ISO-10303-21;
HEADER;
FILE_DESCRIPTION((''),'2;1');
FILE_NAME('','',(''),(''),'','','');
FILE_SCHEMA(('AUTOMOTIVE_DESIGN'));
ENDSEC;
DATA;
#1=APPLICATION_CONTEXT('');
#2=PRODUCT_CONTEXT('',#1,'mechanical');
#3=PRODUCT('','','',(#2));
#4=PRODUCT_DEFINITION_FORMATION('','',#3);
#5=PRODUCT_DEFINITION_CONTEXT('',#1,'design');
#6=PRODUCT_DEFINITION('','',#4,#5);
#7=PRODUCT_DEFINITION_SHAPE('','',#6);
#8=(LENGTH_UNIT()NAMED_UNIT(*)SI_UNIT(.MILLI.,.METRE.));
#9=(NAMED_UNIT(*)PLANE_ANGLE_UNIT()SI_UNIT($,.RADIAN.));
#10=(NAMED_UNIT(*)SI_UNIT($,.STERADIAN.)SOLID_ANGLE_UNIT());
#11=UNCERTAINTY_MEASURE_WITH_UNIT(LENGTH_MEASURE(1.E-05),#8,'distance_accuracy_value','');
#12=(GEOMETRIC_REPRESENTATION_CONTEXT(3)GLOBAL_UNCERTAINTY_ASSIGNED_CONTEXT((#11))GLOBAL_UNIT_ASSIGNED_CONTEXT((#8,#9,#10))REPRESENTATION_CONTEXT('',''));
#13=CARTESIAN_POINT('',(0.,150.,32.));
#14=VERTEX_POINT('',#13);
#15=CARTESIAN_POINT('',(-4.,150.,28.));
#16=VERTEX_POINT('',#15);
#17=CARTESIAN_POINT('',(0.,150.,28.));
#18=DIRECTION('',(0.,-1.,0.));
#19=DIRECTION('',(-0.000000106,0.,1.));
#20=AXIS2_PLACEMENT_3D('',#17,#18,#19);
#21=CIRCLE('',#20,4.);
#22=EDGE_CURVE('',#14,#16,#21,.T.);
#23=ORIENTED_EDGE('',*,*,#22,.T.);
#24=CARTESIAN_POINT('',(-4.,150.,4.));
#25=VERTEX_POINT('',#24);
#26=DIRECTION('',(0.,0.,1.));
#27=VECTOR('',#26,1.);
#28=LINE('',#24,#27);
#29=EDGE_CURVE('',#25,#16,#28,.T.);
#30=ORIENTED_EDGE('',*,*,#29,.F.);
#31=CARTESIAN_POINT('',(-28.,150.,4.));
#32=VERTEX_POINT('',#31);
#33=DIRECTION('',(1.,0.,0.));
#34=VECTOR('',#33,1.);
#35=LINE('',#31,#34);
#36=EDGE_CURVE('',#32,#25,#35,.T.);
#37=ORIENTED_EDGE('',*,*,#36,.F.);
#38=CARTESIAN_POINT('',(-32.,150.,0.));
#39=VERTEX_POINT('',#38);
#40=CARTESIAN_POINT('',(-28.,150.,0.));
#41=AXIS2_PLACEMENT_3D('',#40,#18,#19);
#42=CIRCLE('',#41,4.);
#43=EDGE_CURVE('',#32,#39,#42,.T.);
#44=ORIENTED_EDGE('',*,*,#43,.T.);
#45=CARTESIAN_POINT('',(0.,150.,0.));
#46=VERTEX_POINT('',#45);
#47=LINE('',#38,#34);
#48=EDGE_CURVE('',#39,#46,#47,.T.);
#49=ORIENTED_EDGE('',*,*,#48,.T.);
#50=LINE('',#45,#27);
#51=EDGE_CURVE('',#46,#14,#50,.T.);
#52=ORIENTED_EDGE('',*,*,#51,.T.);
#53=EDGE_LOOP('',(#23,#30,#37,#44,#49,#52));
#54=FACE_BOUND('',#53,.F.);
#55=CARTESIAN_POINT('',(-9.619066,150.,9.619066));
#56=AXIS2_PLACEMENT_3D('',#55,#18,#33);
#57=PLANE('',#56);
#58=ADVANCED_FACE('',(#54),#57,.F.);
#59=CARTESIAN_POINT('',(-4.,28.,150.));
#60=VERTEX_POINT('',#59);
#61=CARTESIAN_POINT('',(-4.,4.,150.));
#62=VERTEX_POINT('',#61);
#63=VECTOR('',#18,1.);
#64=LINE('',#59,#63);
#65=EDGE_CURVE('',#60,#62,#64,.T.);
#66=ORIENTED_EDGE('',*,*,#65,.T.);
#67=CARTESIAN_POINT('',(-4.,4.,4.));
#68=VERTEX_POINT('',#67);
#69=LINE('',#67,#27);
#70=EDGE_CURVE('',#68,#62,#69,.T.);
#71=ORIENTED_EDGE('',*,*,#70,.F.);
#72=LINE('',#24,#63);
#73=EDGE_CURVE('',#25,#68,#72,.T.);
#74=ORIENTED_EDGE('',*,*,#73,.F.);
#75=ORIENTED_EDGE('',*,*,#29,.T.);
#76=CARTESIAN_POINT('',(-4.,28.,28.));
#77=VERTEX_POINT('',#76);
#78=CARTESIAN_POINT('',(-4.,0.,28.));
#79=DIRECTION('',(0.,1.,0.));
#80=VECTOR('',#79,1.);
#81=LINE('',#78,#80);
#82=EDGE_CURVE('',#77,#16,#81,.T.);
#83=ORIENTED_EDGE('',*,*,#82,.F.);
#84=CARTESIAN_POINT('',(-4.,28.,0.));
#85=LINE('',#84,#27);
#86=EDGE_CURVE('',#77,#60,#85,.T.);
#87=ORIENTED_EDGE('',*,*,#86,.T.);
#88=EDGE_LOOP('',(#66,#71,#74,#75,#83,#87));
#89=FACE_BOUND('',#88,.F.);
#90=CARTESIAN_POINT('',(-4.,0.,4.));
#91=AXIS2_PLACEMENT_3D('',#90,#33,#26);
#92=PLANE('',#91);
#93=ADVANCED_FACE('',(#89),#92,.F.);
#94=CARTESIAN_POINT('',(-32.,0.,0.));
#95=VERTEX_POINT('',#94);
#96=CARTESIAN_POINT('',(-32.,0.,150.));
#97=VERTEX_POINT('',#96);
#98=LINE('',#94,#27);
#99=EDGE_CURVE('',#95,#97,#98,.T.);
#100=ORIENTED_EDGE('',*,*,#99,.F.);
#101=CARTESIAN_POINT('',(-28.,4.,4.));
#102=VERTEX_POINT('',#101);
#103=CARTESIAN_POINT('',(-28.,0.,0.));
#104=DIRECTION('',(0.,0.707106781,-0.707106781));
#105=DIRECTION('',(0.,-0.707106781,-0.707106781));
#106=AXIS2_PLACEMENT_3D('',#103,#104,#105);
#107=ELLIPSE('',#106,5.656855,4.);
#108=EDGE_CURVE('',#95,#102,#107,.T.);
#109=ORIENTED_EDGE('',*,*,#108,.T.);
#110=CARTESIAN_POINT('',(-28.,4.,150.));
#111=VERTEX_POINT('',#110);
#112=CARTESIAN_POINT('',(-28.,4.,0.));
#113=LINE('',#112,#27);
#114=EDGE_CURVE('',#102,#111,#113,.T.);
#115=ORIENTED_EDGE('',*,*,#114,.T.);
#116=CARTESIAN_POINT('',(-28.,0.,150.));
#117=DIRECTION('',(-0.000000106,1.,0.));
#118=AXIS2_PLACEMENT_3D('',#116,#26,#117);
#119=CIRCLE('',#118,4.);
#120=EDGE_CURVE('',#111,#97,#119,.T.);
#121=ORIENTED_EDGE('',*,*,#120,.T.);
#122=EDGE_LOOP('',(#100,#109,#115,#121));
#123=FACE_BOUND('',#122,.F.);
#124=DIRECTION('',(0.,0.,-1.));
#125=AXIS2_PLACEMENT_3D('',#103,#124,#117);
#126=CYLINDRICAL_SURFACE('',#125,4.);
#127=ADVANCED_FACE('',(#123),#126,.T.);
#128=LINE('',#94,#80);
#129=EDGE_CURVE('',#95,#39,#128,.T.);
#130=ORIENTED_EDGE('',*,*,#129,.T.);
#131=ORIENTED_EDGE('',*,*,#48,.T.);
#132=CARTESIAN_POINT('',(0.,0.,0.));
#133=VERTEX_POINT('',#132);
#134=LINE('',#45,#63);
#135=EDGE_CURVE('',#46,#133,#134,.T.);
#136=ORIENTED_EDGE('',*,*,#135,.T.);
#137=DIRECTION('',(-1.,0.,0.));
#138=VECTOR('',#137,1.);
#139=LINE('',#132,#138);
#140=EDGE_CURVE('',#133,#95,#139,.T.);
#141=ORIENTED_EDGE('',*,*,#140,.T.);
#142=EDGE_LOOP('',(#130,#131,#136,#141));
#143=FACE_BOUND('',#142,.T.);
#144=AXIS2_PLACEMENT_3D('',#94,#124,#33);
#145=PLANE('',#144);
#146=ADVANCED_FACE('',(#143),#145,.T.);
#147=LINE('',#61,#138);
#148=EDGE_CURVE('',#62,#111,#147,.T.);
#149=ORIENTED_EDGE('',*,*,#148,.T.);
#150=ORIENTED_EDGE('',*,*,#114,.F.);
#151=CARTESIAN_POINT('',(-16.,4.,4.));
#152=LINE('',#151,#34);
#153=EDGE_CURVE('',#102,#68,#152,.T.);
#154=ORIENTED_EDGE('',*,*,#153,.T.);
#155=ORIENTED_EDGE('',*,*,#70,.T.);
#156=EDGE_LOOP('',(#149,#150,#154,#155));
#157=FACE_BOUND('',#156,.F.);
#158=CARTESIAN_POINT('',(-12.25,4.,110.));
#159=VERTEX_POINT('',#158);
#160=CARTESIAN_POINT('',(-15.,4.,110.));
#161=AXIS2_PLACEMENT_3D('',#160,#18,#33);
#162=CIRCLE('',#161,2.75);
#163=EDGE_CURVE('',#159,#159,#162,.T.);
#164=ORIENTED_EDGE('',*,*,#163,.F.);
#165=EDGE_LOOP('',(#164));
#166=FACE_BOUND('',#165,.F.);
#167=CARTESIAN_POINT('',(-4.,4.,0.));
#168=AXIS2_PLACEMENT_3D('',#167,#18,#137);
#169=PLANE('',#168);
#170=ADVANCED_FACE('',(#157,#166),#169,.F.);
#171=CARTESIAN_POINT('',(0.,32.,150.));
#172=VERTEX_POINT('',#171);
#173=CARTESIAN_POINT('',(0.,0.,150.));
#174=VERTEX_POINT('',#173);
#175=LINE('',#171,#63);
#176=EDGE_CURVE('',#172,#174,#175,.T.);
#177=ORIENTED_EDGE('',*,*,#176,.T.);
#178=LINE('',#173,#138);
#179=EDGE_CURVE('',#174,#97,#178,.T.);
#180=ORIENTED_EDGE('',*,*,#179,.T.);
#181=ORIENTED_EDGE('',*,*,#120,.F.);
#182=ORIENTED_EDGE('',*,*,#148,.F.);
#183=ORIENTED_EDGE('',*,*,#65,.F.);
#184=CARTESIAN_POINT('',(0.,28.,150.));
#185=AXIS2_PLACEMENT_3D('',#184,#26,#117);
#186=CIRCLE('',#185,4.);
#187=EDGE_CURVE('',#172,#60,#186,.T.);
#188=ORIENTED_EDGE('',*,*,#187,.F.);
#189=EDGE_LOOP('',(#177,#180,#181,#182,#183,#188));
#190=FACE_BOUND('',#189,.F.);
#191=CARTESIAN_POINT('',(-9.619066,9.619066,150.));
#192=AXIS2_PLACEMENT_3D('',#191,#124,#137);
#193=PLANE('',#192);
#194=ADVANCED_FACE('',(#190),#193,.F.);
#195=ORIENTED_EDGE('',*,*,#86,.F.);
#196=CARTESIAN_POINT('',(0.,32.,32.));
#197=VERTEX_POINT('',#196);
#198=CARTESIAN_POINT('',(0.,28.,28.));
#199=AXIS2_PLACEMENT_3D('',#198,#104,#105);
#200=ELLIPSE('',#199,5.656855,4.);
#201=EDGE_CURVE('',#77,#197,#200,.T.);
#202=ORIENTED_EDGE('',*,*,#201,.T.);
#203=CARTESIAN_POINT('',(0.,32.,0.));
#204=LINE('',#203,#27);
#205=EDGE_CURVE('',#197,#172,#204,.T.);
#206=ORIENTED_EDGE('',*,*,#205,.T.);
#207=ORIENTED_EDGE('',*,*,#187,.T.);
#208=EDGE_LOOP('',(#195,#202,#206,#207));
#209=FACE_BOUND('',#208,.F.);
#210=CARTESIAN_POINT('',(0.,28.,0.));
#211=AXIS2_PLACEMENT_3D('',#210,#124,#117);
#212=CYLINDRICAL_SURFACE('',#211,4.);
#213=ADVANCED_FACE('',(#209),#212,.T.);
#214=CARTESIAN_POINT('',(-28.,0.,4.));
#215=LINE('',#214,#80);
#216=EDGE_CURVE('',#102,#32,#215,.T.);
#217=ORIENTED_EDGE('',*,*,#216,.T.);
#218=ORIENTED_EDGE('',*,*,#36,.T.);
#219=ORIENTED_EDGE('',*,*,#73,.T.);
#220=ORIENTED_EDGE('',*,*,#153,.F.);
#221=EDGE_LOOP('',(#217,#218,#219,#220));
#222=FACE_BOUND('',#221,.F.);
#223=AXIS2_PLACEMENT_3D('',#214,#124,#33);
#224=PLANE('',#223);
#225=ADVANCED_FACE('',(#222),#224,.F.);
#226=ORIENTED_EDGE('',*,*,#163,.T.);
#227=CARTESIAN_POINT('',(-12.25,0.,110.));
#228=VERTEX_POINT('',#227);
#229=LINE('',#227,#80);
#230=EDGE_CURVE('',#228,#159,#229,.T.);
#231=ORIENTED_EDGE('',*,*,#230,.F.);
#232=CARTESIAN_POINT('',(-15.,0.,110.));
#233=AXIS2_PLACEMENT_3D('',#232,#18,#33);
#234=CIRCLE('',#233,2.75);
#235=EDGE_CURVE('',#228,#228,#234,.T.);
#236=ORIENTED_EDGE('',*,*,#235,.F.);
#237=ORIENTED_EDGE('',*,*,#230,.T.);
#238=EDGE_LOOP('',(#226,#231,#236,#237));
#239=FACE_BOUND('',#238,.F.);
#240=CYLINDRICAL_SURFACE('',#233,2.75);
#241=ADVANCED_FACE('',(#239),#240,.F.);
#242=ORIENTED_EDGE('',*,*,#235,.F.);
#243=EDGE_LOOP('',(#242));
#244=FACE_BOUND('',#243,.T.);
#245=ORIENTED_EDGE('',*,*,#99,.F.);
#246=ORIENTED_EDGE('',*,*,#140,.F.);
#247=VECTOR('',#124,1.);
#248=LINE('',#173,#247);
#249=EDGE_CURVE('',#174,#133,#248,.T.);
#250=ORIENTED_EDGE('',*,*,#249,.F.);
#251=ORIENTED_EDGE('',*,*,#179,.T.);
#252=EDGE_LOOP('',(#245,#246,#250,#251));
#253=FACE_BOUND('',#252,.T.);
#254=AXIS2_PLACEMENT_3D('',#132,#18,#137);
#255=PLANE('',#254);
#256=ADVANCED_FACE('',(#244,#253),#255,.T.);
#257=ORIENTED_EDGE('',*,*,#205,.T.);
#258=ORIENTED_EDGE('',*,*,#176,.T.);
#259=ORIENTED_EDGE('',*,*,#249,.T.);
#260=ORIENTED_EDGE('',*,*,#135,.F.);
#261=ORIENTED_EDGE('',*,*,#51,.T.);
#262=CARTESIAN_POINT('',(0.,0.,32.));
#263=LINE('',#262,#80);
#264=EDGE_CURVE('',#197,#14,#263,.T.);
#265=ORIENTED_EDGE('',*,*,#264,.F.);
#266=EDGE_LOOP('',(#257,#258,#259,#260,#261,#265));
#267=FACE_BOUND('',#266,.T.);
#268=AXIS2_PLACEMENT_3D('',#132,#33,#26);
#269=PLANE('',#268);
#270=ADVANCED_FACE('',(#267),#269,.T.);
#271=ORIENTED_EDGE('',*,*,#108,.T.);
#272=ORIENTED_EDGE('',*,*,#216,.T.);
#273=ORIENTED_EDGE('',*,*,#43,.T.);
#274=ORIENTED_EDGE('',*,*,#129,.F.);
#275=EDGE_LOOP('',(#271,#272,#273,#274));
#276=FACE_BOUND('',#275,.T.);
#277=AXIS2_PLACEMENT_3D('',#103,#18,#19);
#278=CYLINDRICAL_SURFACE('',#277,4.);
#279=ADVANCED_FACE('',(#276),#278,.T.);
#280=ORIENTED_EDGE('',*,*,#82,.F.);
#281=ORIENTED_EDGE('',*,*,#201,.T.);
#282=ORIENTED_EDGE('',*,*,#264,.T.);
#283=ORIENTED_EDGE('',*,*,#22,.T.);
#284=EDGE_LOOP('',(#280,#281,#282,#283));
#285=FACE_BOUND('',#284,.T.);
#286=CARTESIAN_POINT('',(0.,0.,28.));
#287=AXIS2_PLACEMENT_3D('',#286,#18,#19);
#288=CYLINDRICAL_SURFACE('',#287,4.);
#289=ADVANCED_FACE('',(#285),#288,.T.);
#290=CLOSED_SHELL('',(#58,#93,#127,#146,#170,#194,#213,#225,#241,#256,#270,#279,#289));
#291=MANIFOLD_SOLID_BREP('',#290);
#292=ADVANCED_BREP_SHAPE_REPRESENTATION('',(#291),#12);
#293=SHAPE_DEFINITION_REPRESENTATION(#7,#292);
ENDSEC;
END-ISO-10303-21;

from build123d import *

# Parameters (mm, degrees)
PAD003_DEPTH    = 150
PAD004_DEPTH    = 150
SKETCH012_R     = 2.75
POCKET001_DEPTH = 150.001


with BuildPart() as part:
    # Sketch003 → Pad003 (new body)
    with BuildSketch(Plane.XY):
        with BuildLine():
            Line((0, 32), (0, 0))
            Line((0, 0), (-32, 0))
            ThreePointArc((-28, 4), (-30.828427, 2.828427), (-32, 0))
            Line((-4, 4), (-28, 4))
            Line((-4, 28), (-4, 4))
            ThreePointArc((0, 32), (-2.828427, 30.828427), (-4, 28))
        make_face()
    extrude(amount=PAD003_DEPTH)

    # Sketch004 (on Face3 of Pad003) → Pad004 (new body)
    with BuildSketch(Plane.XZ):
        with BuildLine():
            Line((-32, 0), (0, 0))
            Line((0, 0), (0, 32))
            ThreePointArc((0, 32), (-2.828427, 30.828427), (-4, 28))
            Line((-4, 4), (-4, 28))
            Line((-28, 4), (-4, 4))
            ThreePointArc((-28, 4), (-30.828427, 2.828427), (-32, 0))
        make_face()
    extrude(amount=-PAD004_DEPTH)

    # Sketch012 (on Face9 of Pad004) → Pocket001 (cut, through all)
    with BuildSketch(Plane.XZ):
        with Locations((-15, 110)):
            Circle(SKETCH012_R)
    extrude(amount=-POCKET001_DEPTH, mode=Mode.SUBTRACT)


solid = part.part
